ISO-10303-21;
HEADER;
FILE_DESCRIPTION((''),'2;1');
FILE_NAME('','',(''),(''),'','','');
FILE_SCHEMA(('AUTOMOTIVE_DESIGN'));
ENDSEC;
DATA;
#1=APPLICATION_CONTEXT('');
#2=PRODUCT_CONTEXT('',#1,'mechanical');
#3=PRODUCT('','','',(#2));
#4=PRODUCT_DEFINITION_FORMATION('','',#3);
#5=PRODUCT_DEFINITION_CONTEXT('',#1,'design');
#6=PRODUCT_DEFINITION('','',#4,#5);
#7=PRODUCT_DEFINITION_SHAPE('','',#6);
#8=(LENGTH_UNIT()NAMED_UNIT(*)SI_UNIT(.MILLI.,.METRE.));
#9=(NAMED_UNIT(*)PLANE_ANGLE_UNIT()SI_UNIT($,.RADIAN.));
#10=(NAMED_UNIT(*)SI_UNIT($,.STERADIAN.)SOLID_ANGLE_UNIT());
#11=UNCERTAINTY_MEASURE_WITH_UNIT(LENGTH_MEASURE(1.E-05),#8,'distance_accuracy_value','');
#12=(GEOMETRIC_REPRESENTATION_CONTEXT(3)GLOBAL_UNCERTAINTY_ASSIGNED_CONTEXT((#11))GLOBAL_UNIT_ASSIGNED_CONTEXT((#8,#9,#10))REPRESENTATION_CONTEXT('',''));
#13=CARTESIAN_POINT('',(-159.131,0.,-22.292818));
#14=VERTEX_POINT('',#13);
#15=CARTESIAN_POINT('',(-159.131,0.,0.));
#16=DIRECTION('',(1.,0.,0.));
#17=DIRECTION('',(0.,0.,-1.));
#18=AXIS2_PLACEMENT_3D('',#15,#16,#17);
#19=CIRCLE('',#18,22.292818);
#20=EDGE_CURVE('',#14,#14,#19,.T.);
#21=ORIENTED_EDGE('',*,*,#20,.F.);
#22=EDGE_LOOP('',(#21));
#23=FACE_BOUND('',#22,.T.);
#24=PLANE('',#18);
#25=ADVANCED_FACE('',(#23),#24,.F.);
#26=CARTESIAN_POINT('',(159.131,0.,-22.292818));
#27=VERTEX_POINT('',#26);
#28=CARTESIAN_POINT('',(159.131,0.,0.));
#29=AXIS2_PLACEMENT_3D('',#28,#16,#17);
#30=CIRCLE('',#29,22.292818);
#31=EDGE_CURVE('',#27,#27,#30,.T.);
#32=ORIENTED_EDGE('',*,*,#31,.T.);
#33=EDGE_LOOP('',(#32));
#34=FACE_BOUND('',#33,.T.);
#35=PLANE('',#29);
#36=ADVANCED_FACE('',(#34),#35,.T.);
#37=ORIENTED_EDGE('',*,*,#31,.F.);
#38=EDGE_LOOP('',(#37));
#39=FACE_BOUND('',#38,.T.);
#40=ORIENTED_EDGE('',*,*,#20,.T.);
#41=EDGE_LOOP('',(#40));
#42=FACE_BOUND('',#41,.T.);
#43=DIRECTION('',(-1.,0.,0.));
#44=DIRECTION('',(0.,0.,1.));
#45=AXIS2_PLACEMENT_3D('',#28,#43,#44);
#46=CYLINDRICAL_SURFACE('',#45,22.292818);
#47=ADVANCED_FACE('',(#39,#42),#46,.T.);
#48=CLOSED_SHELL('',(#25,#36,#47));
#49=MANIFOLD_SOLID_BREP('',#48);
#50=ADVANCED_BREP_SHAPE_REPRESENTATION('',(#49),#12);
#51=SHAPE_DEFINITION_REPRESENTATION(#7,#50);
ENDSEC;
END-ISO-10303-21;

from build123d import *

# Parameters (mm, degrees)
BOSS_EXTRUDE1_DEPTH      = 159.131
BOSS_EXTRUDE1_DEPTH_BACK = 159.131
SKETCH1_R                = 22.292818


with BuildPart() as part:
    # Sketch1 → Boss-Extrude1 (new, two sides: drawn at the far end of the back side and taken through both)
    with BuildSketch(Plane(origin=(0, 0, 0), x_dir=(0, 0, -1), z_dir=(1, 0, 0)).offset(-BOSS_EXTRUDE1_DEPTH_BACK)):
        Circle(SKETCH1_R)
    extrude(amount=BOSS_EXTRUDE1_DEPTH + BOSS_EXTRUDE1_DEPTH_BACK)


solid = part.part
